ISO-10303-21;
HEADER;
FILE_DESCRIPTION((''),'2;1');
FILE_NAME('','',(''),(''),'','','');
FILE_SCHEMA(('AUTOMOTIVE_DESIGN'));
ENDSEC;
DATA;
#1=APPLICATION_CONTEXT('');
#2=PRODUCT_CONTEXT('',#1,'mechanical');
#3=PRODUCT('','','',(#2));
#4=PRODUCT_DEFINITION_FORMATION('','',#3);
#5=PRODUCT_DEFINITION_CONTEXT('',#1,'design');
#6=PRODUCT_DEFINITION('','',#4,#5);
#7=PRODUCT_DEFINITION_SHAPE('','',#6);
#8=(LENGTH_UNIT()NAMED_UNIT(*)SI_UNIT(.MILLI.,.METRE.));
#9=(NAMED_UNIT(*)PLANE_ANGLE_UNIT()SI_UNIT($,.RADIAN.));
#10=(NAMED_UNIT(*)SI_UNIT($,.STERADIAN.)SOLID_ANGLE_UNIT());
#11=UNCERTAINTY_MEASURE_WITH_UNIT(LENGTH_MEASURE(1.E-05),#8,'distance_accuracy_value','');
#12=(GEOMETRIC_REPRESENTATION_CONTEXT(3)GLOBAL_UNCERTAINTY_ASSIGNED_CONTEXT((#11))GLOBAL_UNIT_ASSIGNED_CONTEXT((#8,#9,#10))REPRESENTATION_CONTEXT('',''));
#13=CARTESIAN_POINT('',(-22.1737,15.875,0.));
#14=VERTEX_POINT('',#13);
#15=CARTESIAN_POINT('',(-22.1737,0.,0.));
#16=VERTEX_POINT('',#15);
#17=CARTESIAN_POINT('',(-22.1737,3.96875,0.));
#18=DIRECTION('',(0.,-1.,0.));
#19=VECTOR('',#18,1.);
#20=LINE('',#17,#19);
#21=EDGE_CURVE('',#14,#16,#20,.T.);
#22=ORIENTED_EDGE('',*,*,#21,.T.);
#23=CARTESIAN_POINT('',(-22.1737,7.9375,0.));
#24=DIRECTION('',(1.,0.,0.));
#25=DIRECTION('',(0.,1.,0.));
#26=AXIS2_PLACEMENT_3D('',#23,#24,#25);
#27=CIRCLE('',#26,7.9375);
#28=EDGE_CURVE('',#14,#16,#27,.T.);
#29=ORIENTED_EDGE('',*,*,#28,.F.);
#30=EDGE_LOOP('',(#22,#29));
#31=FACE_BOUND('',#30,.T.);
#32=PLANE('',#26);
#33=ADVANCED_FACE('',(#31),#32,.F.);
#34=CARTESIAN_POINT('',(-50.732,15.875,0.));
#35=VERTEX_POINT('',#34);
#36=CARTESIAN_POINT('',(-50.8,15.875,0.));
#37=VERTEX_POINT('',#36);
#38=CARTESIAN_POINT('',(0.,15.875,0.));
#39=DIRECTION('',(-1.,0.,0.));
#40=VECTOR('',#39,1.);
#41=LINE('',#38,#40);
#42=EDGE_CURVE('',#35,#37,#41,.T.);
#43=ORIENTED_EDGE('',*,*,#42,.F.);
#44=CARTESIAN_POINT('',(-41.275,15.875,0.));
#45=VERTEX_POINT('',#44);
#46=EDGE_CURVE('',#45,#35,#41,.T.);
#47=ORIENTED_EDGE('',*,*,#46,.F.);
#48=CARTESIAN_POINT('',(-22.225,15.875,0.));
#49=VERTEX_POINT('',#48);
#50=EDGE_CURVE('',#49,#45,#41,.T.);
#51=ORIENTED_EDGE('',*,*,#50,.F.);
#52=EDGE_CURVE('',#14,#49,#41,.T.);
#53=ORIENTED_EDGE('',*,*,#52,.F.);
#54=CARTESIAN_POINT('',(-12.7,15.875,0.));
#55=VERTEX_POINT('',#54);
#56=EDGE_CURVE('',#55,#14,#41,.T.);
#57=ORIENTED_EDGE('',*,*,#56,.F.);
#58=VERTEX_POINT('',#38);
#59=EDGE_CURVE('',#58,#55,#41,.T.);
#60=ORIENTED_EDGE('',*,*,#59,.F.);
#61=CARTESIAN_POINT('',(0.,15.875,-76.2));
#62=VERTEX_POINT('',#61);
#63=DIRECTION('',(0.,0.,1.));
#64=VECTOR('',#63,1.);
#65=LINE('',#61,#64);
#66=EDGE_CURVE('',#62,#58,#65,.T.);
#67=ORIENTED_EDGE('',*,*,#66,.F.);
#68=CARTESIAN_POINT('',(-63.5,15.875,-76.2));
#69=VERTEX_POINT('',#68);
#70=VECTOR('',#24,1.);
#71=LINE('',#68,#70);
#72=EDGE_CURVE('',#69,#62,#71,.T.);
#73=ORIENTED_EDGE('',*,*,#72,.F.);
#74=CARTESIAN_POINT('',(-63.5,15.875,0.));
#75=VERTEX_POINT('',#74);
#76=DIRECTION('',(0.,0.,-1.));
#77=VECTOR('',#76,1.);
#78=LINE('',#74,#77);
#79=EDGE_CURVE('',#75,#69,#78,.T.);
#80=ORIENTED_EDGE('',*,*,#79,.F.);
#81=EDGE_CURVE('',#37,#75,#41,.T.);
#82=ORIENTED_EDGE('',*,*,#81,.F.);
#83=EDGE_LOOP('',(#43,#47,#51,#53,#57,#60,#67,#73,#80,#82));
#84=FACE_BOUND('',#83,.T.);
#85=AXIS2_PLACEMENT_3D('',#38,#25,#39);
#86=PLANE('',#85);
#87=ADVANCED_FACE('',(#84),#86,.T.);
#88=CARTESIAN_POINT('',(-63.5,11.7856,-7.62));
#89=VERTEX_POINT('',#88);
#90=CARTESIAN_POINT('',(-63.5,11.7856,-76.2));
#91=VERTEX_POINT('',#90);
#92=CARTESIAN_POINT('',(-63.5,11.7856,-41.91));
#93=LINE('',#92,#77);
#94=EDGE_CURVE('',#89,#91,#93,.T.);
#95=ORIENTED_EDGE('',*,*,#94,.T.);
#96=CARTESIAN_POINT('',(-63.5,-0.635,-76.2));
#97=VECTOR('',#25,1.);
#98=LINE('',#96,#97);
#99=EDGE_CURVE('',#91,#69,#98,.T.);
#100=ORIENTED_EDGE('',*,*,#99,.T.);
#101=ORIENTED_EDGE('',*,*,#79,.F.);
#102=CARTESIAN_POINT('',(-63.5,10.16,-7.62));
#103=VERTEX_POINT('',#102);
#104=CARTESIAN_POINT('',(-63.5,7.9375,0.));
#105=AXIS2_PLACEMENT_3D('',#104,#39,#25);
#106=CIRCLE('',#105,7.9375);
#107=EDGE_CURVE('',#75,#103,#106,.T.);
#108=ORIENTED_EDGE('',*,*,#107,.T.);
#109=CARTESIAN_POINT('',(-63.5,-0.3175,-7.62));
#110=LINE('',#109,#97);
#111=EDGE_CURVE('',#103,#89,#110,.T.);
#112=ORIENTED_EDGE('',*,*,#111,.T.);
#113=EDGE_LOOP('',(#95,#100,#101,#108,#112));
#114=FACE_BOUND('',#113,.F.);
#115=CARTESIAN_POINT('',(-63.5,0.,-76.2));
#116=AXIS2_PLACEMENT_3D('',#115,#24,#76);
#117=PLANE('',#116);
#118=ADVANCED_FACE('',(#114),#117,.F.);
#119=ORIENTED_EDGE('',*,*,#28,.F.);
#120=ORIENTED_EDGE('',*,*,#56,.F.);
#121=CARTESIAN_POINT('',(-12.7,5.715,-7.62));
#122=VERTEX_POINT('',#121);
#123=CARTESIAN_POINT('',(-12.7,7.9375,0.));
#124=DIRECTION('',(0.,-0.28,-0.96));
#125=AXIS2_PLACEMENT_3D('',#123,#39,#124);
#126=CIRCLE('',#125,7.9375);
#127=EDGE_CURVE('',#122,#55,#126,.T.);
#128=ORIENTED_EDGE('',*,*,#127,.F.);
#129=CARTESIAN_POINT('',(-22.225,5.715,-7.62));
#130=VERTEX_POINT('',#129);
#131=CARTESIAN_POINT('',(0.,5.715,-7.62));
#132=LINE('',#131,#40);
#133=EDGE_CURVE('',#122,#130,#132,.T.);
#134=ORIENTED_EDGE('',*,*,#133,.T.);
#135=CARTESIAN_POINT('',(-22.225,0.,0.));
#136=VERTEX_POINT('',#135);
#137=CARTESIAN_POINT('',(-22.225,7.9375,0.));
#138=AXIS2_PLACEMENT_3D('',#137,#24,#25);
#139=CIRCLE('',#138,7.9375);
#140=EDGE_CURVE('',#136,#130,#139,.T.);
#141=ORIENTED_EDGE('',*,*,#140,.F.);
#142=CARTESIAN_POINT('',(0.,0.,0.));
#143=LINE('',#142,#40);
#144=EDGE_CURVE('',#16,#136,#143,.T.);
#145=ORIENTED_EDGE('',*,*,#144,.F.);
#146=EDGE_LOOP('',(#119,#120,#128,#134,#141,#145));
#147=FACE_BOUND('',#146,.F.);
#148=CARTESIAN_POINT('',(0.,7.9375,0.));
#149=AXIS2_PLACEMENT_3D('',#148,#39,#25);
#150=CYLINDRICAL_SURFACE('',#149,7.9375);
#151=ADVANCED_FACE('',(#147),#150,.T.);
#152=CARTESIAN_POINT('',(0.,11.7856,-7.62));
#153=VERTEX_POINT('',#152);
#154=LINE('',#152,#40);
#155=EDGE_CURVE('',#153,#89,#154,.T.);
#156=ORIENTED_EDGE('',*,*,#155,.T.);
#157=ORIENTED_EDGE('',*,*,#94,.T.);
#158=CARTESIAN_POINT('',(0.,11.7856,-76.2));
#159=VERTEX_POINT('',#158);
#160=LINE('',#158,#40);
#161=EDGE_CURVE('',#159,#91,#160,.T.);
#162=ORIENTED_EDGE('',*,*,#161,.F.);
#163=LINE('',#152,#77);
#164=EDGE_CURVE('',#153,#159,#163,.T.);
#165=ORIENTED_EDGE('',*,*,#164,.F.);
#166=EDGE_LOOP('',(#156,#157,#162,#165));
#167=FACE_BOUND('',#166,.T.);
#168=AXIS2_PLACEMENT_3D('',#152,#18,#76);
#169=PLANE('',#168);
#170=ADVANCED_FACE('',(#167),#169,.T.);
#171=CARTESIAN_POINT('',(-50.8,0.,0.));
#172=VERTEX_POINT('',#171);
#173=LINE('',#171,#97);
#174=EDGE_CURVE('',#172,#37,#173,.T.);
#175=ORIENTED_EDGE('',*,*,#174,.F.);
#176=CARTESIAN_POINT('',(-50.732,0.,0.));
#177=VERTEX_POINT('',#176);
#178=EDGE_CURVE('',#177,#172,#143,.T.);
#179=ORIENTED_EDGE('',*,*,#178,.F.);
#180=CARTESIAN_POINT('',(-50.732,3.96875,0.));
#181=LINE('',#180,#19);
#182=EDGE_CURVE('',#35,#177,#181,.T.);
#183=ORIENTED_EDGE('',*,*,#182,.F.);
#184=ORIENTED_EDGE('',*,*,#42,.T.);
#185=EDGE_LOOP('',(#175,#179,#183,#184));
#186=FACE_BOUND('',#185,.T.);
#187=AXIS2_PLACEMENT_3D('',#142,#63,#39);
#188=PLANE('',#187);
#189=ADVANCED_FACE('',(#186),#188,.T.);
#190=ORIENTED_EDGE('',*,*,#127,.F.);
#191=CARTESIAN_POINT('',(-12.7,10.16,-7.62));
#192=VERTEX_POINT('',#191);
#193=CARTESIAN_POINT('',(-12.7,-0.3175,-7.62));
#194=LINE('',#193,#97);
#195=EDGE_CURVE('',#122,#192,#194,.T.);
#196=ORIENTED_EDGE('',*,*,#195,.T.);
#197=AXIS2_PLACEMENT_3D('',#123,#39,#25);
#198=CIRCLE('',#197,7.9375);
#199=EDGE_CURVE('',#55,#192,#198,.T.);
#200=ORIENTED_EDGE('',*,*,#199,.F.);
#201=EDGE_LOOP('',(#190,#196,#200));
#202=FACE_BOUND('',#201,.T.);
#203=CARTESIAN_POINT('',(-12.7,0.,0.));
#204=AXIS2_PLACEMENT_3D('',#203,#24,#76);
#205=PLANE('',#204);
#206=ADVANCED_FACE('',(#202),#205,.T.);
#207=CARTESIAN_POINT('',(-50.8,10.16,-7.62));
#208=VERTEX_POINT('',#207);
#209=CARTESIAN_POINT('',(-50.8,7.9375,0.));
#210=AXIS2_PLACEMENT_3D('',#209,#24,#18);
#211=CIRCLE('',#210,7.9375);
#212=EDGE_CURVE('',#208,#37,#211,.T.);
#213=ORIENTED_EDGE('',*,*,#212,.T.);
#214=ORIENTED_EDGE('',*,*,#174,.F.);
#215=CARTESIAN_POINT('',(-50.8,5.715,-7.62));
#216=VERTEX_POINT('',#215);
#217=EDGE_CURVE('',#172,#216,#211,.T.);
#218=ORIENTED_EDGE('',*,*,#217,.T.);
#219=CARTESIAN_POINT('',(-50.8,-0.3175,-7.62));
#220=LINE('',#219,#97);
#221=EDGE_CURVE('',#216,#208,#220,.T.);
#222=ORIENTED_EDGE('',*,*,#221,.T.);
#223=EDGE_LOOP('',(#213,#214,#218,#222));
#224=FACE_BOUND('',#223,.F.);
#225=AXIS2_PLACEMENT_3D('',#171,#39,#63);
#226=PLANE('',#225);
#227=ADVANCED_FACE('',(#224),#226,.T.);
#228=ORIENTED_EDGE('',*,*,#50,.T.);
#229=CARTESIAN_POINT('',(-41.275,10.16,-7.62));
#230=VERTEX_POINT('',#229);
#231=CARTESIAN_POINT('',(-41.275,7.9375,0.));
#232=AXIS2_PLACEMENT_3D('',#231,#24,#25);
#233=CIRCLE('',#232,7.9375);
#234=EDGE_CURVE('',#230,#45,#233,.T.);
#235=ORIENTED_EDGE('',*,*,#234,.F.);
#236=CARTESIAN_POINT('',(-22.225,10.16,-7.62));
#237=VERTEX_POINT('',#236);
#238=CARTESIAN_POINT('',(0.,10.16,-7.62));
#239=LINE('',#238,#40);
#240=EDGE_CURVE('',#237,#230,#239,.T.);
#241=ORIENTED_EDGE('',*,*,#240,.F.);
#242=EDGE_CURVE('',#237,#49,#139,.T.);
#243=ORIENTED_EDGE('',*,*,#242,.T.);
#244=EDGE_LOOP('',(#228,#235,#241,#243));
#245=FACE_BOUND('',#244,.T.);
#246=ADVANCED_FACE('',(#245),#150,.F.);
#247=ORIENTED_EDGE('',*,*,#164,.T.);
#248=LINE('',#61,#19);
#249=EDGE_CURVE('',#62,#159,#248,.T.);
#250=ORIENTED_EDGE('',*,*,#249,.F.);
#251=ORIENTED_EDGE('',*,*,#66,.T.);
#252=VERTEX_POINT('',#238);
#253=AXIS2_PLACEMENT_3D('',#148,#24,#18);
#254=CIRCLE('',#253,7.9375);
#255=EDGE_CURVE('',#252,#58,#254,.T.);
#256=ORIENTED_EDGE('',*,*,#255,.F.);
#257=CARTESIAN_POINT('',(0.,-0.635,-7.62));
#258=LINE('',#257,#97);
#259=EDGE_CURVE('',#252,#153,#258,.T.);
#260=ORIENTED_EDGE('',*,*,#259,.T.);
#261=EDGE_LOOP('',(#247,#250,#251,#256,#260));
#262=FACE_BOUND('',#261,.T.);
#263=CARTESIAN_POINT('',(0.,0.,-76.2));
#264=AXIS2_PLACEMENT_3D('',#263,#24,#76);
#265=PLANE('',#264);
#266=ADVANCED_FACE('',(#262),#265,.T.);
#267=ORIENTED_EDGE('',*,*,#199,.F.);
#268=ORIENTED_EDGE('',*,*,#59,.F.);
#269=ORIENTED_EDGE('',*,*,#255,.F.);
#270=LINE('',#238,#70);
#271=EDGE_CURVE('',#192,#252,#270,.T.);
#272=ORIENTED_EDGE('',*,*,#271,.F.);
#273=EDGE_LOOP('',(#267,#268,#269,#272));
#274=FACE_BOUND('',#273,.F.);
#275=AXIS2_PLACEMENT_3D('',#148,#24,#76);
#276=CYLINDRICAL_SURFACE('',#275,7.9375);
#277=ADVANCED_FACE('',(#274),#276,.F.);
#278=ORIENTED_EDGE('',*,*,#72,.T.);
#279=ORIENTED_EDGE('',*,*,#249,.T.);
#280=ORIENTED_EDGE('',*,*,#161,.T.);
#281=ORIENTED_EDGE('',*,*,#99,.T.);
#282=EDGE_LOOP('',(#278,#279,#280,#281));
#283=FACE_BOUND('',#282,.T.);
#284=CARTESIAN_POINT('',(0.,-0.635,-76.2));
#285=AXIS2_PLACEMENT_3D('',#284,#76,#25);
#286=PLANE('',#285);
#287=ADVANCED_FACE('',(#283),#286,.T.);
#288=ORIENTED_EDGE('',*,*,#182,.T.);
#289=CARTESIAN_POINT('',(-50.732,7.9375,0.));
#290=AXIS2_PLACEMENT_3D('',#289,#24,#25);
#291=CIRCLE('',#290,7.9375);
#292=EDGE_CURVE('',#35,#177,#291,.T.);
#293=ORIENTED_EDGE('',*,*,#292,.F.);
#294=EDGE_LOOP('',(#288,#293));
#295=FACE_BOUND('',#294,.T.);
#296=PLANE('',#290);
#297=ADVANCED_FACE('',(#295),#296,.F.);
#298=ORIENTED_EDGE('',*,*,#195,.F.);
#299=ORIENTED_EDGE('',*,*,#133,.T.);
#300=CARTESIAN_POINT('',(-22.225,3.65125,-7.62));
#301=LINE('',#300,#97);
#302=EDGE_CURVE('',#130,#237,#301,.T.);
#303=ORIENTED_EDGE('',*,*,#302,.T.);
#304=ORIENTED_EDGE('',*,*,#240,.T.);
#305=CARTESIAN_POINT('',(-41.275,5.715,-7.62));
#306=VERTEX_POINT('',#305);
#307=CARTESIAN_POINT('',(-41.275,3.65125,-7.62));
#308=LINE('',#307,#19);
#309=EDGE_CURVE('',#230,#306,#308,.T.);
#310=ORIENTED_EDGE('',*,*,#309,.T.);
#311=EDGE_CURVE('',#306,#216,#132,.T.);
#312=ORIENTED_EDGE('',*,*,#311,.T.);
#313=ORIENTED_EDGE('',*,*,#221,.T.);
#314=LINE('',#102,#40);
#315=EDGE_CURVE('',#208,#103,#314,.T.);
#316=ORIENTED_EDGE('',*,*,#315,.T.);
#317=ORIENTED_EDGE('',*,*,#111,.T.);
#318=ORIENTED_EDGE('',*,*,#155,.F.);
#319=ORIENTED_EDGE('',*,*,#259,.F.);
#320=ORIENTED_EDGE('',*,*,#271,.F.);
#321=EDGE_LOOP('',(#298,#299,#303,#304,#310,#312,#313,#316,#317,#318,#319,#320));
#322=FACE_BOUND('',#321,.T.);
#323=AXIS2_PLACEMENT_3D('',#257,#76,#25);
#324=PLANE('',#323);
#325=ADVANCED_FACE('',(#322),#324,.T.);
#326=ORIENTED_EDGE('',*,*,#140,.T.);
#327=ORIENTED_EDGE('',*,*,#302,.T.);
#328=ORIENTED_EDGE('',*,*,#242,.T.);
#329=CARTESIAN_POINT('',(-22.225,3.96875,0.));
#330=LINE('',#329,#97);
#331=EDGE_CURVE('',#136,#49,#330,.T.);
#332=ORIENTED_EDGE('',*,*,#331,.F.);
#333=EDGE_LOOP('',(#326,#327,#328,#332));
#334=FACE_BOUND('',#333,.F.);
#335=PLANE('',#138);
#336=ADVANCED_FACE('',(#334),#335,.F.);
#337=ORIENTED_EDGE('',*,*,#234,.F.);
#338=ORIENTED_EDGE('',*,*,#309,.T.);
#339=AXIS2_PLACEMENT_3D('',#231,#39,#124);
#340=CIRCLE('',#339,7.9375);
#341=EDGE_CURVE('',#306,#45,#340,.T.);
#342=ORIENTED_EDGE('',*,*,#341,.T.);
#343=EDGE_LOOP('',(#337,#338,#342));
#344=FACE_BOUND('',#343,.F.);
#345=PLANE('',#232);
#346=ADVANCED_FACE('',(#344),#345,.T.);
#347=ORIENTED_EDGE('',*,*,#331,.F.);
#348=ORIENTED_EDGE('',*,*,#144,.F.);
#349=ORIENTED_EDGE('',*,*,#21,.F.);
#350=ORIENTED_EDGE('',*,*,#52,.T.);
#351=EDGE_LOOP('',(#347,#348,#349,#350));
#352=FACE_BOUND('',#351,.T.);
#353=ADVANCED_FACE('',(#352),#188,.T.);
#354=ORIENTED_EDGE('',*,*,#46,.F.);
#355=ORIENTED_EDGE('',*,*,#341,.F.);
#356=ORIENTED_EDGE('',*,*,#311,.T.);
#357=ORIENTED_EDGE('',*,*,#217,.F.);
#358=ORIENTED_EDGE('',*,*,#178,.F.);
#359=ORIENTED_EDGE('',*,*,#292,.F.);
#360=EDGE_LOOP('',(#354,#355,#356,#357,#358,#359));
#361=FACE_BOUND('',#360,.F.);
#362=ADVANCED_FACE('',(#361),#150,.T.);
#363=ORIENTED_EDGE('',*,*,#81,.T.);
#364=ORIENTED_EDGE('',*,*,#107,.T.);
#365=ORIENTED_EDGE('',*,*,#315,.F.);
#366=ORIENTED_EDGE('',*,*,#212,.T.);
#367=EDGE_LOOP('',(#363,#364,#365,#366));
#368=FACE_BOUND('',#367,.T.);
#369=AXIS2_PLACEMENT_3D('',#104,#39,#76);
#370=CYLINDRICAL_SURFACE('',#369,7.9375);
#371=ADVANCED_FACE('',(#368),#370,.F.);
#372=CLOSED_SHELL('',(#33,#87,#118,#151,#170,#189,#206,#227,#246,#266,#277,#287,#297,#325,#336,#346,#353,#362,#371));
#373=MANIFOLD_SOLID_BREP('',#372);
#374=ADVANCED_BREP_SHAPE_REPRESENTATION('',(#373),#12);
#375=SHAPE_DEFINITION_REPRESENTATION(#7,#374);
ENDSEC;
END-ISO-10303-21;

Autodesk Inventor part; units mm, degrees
ref_plane "XZ Plane" through (0, 0, 0) normal (0, 1, 0) x (-1, 0, 0)
ref_plane "XY Plane" through (0, 0, 0) normal (0, 0, 1) x (1, 0, 0)
sketch "Sketch1" plane through (0, 0, 0) normal (0, 1, 0) x (-1, 0, 0)
  line L0 (0, 0) -> (63.5, 0)
  line L1 (63.5, 0) -> (63.5, -76.2)
  line L2 (63.5, -76.2) -> (0, -76.2)
  line L3 (0, -76.2) -> (0, 0)
  dimension "d0" = 63.5
  dimension "d1" = 76.2
extrude "Extrusion1" add sketch "Sketch1" along normal blind 15.875
sketch "Sketch2" plane through (0, 0, 0) normal (1, 0, 0) x (0, 0, -1)
  line L0 (76.2, 0) -> (0, 0) projected
  line L1 (0, 0) -> (0, 15.875) projected
  circle A0 centre (0, 7.9375) radius 7.9375
  line L2 (76.2, 15.875) -> (0, 15.875) projected
extrude "Extrusion2" cut sketch "Sketch2" against normal blind 12.7 contours L1 A0 picked at (1.148, 10.3213)
ref_plane "Work Plane1" through (-31.75, 0, 0) normal (1, 0, 0) x (0, 1, 0)
mirror "Mirror1" about plane through (-31.75, 0, 0) normal (1, 0, 0) of "Extrusion2"
sketch "Sketch3" plane through (-12.7, 0, 0) normal (0, 0, 1) x (1, 0, 0)
  line L0 (12.7, 15.875) -> (-50.8, 15.875) projected
  line L1 (12.7, 0) -> (-50.8, 0) projected
  line L2 (-28.575, 15.875) -> (-9.525, 15.875)
  line L3 (-9.525, 15.875) -> (-9.525, 7.9375)
  line L4 (-28.575, 7.9375) -> (-28.575, 15.875)
  line L5 (0, 0) -> (0, 15.875) projected
  line L6 (-28.575, 7.9375) -> (-9.525, 7.9375)
  line L7 (-32.6367, 7.9375) -> (-5.0262, 7.9375)
  point P0 (-9.525, 15.875)
  dimension "d8" = 19.05
  dimension "d9" = 9.525
revolve "Revolution1" cut sketch "Sketch3" angle 360 about axis through (-45.3367, 7.9375, 0) along (1, 0, 0)
sketch "Sketch4" plane through (-12.7, 0, 0) normal (0, 0, 1) x (1, 0, 0)
  line L0 (12.7, 15.875) -> (-50.8, 15.875) projected
  line L1 (0, 0) -> (0, 15.875) projected
  line L2 (-9.4737, 15.875) -> (0, 15.875)
  line L3 (0, 15.875) -> (0, 7.9375)
  line L4 (0, 7.9375) -> (-9.4737, 7.9375)
  line L5 (-9.4737, 7.9375) -> (-9.4737, 15.875)
  line L6 (-28.575, 15.875) -> (-28.575, 0) projected
  line L7 (-38.032, 15.875) -> (-28.575, 15.875)
  line L8 (-28.575, 15.875) -> (-28.575, 7.9375)
  line L9 (-28.575, 7.9375) -> (-38.032, 7.9375)
  line L10 (-38.032, 7.9375) -> (-38.032, 15.875)
  line L11 (-38.032, 7.9375) -> (0, 7.9375)
  point P0 (12.7, 0)
revolve "Revolution2" add sketch "Sketch4" angle 360 about axis through (-50.732, 7.9375, 0) along (1, 0, 0) contours L1 L4 L5 L0 | L6 L9 L10 L0
sketch "Sketch5" plane through (0, 0, -76.2) normal (1, 0, 0) x (0, 0, -1)
  line L0 (0, 0) -> (0, 15.875) projected
  line L1 (0, 0) -> (-63.4859, 0)
  line L2 (-63.4859, 0) -> (-63.4859, -0.635)
  line L3 (-63.4859, -0.635) -> (0, -0.635)
  line L4 (0, -0.635) -> (0, 0)
  line L5 (-76.2, 15.875) -> (0, 15.875) projected
  point P0 (-76.2, 0)
  dimension "d12" = 16.51
extrude "Extrusion3" add sketch "Sketch5" against normal up to surface (63.5 mm away)
sketch "Sketch6" plane through (0, 7.9375, 0) normal (1, 0, 0) x (0, 0, -1)
  line L0 (12.7141, -8.5725) -> (76.2, -8.5725) projected
  line L1 (76.2, -8.5725) -> (7.62, -8.5725)
  line L2 (7.62, -8.5725) -> (7.62, 3.8481)
  line L3 (7.62, 3.8481) -> (76.2, 3.8481)
  line L4 (76.2, 3.8481) -> (76.2, -8.5725)
  line L5 (0, 7.9375) -> (76.2, 7.9375) projected
  point P0 (0, -7.9375)
  dimension "d15" = 4.0894
  dimension "d16" = 68.58
extrude "Extrusion4" cut sketch "Sketch6" against normal through all
sketch "Sketch7" plane through (0, 0, 0) normal (1, 0, 0) x (0, 0, -1)
  arc A0 (0, 0) -> (7.62, 5.715) centre (0, 7.9375) ccw projected
  line L0 (7.62, 5.715) -> (7.62, 0)
  line L1 (7.62, 0) -> (0, 0)
  arc A1 (0, 0) -> (7.62, 5.715) centre (0, 7.9375) ccw
extrude "Extrusion5" cut sketch "Sketch7" against normal through all
properties part number "knuckle plate hinge 2"
